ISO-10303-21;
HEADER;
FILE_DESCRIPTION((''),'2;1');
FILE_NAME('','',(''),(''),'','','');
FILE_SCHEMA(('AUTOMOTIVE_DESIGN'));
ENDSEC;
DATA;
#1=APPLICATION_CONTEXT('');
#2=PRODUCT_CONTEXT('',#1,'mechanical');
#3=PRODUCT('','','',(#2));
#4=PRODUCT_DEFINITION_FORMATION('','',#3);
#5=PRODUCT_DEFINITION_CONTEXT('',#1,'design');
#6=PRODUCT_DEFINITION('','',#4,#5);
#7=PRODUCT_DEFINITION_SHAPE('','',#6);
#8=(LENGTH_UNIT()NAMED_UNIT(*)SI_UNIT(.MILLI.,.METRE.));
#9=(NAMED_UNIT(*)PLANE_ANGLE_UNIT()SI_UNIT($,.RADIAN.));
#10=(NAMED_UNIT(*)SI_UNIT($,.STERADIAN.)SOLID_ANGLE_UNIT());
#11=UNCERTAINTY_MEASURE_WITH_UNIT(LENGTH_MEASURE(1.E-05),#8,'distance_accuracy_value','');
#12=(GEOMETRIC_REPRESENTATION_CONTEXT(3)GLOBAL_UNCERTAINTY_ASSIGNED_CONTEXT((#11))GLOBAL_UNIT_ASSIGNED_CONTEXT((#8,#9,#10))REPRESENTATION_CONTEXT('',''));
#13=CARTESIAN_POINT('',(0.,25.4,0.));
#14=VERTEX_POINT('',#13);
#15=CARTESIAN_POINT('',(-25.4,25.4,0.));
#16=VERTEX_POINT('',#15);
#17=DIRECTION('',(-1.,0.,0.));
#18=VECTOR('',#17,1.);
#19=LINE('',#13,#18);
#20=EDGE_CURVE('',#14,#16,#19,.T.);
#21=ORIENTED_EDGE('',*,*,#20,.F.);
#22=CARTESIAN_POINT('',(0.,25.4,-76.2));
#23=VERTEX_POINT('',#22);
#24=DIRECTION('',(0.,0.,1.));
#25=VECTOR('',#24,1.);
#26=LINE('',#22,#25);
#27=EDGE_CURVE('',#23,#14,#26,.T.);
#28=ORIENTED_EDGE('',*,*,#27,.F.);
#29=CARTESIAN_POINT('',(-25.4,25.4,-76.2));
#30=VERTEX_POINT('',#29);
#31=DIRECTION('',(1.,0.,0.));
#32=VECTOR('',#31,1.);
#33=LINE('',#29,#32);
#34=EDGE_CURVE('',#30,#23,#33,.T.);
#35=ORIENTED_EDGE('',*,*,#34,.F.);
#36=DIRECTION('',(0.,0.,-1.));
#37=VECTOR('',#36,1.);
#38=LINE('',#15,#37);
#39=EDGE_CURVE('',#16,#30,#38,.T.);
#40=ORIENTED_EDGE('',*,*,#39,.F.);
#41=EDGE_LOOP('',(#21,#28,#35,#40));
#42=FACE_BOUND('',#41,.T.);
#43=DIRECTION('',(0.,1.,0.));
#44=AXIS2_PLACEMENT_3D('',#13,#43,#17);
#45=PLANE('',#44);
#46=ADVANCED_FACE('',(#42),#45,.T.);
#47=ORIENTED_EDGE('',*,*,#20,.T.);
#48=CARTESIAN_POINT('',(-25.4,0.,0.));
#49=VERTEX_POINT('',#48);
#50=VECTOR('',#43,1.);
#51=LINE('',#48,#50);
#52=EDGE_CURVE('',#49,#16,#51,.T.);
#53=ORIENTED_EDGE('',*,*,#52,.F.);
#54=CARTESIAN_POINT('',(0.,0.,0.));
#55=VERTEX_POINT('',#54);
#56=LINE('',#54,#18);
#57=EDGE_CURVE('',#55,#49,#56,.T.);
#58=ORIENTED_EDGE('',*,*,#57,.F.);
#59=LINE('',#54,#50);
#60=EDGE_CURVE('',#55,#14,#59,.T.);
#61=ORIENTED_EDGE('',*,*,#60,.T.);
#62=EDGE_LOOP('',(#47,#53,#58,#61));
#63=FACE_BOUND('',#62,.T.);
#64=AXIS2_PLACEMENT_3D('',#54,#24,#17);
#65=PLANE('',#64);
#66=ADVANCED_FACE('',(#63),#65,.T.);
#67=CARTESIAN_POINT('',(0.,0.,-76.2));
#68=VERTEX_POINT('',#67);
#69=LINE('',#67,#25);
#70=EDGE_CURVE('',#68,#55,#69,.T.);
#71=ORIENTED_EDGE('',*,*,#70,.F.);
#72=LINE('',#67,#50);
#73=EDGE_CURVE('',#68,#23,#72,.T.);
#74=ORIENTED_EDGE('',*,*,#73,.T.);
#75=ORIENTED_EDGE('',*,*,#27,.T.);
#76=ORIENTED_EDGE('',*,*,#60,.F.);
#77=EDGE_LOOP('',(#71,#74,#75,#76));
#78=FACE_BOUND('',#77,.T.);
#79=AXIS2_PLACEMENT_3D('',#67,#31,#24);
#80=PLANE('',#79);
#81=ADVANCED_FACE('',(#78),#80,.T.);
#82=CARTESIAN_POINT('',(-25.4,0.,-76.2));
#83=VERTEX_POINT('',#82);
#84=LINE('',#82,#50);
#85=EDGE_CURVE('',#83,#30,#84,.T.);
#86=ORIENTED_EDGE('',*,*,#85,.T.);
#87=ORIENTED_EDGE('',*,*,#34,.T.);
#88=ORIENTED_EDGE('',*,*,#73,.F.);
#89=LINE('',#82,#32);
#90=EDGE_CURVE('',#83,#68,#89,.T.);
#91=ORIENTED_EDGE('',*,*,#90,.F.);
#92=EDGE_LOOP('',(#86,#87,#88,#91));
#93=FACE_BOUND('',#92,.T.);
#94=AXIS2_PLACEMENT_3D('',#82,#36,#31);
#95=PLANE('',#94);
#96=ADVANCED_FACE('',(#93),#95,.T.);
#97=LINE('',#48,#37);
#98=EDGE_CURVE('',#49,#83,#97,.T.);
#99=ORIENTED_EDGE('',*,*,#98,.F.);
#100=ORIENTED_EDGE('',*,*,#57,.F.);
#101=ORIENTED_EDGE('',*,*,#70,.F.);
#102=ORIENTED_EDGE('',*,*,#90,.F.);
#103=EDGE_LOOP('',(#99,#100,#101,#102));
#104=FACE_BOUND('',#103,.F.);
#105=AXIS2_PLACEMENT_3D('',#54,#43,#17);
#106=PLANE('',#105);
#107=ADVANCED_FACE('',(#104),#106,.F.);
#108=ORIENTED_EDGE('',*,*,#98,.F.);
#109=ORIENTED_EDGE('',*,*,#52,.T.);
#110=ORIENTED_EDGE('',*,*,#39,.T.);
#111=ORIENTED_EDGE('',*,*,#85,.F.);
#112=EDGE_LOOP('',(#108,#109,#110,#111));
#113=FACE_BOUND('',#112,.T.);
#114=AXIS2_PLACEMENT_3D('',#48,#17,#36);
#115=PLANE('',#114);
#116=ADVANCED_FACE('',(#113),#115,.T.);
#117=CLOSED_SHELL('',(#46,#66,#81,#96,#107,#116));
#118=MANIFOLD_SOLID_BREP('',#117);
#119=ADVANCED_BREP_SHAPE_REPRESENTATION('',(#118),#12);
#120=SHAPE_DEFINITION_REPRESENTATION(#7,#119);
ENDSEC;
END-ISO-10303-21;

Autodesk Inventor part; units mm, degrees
ref_plane "YZ Plane" through (0, 0, 0) normal (1, 0, 0) x (0, 1, 0)
ref_plane "XZ Plane" through (0, 0, 0) normal (0, 1, 0) x (-1, 0, 0)
ref_plane "XY Plane" through (0, 0, 0) normal (0, 0, 1) x (1, 0, 0)
sketch "Sketch1" plane through (0, 0, 0) normal (0, 1, 0) x (-1, 0, 0)
  line L0 (0, 0) -> (25.4, 0)
  line L1 (25.4, 0) -> (25.4, -76.2)
  line L2 (25.4, -76.2) -> (0, -76.2)
  line L3 (0, -76.2) -> (0, 0)
  dimension "d0" = 25.4
  dimension "d1" = 76.2
extrude "Extrusion1" add sketch "Sketch1" along normal blind 25.4
properties part number "battery"
